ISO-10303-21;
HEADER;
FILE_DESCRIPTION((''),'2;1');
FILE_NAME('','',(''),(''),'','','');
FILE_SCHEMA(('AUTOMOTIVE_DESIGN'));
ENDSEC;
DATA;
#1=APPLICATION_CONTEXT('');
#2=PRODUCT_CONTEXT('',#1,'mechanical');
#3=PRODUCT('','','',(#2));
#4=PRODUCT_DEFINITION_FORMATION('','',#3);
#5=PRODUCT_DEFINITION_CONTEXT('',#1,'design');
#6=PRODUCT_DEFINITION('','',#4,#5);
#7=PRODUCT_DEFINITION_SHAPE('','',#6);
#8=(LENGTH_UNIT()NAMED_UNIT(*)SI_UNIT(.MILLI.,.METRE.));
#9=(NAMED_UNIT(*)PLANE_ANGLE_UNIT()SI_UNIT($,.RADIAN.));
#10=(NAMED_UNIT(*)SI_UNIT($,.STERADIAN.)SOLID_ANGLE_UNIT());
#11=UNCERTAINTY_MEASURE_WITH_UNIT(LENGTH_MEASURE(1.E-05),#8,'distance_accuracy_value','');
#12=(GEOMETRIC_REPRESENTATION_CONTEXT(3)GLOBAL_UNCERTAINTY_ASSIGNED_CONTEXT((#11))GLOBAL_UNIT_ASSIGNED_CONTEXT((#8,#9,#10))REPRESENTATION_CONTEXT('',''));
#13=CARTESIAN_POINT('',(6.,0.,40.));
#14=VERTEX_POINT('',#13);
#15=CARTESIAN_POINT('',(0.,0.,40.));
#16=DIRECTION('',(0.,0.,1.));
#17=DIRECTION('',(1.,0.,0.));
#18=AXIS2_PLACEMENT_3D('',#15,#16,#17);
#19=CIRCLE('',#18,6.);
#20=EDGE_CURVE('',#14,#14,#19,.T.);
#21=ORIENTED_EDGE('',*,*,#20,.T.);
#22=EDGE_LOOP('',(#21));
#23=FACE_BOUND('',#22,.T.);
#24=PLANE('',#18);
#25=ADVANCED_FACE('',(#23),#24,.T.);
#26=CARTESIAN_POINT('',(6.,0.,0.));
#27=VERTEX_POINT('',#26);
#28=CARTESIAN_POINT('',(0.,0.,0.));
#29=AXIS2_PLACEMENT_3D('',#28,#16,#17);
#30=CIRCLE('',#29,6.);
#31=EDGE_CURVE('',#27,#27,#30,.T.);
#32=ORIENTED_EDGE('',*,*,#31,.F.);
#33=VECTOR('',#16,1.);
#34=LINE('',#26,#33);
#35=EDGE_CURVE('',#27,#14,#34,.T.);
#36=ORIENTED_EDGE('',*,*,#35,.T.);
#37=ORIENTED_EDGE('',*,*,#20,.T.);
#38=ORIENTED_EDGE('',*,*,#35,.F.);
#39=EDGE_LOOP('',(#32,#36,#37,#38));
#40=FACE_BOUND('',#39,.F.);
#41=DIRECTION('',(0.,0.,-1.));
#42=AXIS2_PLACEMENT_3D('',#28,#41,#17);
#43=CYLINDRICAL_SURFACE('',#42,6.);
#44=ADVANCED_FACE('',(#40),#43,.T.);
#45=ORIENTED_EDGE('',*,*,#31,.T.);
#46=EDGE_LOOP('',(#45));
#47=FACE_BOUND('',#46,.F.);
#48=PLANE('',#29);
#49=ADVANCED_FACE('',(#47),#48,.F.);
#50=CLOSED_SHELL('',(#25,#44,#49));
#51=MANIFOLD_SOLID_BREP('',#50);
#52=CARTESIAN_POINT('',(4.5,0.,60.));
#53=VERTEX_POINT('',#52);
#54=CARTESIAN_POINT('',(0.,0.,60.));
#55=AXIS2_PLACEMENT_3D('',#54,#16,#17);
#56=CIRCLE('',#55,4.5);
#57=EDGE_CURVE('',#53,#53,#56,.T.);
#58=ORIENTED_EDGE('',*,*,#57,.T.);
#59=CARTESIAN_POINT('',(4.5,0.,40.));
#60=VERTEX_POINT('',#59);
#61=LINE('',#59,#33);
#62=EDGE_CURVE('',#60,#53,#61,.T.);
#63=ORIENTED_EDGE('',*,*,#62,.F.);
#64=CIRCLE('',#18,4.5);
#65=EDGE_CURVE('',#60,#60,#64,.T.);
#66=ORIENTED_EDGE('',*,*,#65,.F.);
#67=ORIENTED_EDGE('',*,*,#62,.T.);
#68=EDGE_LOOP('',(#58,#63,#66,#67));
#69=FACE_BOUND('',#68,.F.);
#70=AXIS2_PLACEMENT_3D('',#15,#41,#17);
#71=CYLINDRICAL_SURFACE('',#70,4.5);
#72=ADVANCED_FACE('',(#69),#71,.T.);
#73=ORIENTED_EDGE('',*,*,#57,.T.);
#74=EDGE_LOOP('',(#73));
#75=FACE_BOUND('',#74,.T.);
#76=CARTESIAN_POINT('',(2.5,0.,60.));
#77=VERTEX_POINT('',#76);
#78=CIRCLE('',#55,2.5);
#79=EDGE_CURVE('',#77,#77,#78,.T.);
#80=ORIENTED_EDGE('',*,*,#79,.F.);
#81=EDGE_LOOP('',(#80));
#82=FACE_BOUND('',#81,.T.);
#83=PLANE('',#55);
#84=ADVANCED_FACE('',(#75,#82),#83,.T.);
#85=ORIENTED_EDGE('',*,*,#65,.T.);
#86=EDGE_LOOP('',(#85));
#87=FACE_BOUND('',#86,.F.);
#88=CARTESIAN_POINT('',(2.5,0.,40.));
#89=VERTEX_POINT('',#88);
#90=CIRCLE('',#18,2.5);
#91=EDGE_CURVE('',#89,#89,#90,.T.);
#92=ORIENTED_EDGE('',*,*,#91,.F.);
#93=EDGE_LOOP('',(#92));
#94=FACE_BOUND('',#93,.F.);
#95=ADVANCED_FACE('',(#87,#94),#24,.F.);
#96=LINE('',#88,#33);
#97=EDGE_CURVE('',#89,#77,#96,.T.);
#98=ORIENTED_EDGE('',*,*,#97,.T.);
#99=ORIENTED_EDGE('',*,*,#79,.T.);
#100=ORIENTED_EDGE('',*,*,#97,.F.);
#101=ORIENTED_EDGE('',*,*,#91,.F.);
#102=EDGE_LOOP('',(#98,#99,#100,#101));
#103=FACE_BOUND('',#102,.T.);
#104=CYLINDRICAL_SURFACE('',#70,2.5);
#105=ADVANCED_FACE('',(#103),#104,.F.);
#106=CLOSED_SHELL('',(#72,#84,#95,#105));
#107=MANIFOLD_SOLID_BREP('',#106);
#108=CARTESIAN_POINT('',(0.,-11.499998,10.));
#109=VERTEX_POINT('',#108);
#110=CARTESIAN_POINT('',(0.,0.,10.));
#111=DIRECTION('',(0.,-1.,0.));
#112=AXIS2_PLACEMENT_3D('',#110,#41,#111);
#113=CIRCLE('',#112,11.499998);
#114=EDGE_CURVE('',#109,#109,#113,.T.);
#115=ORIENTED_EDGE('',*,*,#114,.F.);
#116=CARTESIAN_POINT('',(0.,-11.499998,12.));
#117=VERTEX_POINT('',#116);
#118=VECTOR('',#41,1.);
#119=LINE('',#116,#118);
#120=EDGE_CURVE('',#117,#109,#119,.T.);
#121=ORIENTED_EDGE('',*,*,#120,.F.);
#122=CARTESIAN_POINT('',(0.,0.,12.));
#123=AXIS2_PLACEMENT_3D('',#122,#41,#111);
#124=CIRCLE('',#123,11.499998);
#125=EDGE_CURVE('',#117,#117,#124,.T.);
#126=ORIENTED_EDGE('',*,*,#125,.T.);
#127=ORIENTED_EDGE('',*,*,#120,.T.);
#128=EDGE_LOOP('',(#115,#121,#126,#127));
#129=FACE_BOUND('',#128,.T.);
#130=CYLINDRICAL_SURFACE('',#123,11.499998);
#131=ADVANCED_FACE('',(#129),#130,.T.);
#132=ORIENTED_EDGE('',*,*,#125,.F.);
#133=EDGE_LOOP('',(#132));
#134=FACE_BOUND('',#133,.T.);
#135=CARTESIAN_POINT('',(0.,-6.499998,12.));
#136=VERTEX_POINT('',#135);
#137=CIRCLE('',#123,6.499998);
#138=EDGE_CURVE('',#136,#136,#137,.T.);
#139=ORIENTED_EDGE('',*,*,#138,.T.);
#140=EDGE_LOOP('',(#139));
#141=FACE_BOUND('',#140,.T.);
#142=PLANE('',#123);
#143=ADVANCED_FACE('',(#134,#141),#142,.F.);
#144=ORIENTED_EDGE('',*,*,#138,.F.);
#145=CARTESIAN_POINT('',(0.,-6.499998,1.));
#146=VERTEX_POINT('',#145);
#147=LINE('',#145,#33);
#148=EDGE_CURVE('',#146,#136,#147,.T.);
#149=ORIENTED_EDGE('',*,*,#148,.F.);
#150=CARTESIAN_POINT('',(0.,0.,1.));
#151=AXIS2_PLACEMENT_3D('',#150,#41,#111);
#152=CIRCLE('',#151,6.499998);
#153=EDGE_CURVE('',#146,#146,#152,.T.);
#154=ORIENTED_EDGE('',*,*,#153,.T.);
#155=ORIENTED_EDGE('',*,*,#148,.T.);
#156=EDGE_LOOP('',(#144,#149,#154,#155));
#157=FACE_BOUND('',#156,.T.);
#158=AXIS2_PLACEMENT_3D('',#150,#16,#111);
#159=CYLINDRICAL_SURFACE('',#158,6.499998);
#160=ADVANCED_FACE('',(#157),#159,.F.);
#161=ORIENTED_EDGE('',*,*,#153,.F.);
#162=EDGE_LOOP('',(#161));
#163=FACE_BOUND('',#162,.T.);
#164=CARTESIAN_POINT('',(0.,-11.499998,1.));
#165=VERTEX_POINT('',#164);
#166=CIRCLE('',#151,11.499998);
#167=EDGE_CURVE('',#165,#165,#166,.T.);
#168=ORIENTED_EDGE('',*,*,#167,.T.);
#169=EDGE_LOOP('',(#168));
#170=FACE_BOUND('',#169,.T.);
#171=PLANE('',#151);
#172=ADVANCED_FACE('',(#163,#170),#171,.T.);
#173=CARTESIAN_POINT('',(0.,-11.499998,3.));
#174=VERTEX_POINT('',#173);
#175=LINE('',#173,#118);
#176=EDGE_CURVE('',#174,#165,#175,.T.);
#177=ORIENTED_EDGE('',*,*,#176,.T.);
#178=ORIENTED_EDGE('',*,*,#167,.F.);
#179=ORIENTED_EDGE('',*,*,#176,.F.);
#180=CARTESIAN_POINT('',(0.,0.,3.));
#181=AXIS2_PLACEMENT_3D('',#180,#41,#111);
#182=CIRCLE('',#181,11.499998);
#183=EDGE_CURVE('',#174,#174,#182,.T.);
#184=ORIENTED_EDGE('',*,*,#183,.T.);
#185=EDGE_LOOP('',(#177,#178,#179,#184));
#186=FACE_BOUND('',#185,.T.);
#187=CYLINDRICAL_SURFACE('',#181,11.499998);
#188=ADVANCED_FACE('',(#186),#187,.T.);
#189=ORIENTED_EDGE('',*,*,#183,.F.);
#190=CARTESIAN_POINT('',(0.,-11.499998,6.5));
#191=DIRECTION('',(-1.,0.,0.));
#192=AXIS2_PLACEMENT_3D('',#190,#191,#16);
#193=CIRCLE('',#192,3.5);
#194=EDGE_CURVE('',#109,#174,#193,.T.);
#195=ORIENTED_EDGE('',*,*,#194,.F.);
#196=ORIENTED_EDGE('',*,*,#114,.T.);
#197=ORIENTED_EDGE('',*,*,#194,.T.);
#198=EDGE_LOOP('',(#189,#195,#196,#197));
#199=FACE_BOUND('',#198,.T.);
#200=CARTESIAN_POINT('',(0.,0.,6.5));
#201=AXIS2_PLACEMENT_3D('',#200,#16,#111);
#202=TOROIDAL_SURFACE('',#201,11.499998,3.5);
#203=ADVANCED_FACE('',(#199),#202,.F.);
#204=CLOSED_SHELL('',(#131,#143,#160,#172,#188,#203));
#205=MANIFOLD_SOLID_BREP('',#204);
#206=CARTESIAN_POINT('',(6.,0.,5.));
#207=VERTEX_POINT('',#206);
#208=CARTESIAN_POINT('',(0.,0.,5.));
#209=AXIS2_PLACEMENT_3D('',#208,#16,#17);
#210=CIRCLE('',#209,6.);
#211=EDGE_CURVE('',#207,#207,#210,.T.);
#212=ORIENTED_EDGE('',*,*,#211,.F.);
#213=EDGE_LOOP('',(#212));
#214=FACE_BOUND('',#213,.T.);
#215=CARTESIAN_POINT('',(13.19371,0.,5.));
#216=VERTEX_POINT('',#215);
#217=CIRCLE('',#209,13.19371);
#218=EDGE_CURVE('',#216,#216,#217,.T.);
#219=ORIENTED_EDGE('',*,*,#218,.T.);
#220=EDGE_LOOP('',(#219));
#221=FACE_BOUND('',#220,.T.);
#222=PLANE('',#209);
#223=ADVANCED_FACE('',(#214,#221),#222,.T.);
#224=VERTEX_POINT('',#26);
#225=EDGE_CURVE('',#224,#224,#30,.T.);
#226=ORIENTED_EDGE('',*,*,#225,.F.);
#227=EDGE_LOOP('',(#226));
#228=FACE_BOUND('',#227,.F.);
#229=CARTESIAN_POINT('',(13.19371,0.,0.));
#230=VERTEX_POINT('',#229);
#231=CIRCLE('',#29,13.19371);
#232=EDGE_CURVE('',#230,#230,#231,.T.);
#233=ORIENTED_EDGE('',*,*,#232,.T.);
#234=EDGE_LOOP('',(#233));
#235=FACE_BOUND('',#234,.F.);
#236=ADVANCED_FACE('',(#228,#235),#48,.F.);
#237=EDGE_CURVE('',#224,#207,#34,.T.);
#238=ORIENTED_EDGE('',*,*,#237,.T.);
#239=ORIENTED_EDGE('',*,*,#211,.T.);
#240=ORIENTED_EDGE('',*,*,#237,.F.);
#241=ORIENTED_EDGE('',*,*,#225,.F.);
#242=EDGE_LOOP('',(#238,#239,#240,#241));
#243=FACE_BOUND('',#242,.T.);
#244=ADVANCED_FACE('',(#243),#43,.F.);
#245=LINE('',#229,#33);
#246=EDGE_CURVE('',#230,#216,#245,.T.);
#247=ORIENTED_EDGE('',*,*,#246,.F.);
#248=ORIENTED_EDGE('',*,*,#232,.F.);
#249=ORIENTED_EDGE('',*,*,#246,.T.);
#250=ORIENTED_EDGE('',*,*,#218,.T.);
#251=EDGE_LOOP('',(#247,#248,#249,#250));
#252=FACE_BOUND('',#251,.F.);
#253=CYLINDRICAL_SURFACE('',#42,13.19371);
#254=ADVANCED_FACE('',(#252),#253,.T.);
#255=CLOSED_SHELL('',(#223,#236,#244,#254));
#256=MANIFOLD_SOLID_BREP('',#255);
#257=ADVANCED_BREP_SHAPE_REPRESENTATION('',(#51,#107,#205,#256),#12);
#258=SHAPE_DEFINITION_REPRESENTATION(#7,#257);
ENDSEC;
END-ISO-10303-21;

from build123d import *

# Parameters (mm, degrees)
F0_R     = 6
F1_DEPTH = 40
F3_R     = 4.5
F3_R_2   = 2.5
F4_DEPTH = 20
F0_R_2   = 13.1937102496
F8_DEPTH = 5


with BuildPart() as f1:
    # F0 (on Top) → F1 (new body)
    with BuildSketch(Plane.XY):
        Circle(F0_R)
    extrude(amount=F1_DEPTH)


with BuildPart() as f4:
    # F3 (on offset) → F4 (new body)
    with BuildSketch(Plane.XY.offset(40)):
        Circle(F3_R)
        Circle(F3_R_2, mode=Mode.SUBTRACT)
    extrude(amount=F4_DEPTH)


with BuildPart() as f7:
    # F6 (on Right) → F7 (revolve)
    with BuildSketch(Plane.YZ):
        with BuildLine():
            Line((-11.4999981597, 1.0000000475), (-6.4999981597, 1.0000000475))
            Line((-6.4999981597, 1.0000000475), (-6.4999981597, 12.0000000475))
            Line((-6.4999981597, 12.0000000475), (-11.4999981597, 12.0000000475))
            Line((-11.4999981597, 12.0000000475), (-11.4999981597, 10.0000000475))
            ThreePointArc((-11.4999981597, 10.0000000475), (-7.9999981597, 6.5000000475), (-11.4999981597, 3.0000000475))
            Line((-11.4999981597, 3.0000000475), (-11.4999981597, 1.0000000475))
        make_face()
    revolve(axis=Axis((0, 0, 0), (0, 0, -1)))


with BuildPart() as f8:
    # F0 (on Top) → F8 (new body)
    with BuildSketch(Plane.XY):
        Circle(F0_R_2)
        Circle(F0_R, mode=Mode.SUBTRACT)
    extrude(amount=F8_DEPTH)


solid = Compound([f1.part, f4.part, f7.part, f8.part])
